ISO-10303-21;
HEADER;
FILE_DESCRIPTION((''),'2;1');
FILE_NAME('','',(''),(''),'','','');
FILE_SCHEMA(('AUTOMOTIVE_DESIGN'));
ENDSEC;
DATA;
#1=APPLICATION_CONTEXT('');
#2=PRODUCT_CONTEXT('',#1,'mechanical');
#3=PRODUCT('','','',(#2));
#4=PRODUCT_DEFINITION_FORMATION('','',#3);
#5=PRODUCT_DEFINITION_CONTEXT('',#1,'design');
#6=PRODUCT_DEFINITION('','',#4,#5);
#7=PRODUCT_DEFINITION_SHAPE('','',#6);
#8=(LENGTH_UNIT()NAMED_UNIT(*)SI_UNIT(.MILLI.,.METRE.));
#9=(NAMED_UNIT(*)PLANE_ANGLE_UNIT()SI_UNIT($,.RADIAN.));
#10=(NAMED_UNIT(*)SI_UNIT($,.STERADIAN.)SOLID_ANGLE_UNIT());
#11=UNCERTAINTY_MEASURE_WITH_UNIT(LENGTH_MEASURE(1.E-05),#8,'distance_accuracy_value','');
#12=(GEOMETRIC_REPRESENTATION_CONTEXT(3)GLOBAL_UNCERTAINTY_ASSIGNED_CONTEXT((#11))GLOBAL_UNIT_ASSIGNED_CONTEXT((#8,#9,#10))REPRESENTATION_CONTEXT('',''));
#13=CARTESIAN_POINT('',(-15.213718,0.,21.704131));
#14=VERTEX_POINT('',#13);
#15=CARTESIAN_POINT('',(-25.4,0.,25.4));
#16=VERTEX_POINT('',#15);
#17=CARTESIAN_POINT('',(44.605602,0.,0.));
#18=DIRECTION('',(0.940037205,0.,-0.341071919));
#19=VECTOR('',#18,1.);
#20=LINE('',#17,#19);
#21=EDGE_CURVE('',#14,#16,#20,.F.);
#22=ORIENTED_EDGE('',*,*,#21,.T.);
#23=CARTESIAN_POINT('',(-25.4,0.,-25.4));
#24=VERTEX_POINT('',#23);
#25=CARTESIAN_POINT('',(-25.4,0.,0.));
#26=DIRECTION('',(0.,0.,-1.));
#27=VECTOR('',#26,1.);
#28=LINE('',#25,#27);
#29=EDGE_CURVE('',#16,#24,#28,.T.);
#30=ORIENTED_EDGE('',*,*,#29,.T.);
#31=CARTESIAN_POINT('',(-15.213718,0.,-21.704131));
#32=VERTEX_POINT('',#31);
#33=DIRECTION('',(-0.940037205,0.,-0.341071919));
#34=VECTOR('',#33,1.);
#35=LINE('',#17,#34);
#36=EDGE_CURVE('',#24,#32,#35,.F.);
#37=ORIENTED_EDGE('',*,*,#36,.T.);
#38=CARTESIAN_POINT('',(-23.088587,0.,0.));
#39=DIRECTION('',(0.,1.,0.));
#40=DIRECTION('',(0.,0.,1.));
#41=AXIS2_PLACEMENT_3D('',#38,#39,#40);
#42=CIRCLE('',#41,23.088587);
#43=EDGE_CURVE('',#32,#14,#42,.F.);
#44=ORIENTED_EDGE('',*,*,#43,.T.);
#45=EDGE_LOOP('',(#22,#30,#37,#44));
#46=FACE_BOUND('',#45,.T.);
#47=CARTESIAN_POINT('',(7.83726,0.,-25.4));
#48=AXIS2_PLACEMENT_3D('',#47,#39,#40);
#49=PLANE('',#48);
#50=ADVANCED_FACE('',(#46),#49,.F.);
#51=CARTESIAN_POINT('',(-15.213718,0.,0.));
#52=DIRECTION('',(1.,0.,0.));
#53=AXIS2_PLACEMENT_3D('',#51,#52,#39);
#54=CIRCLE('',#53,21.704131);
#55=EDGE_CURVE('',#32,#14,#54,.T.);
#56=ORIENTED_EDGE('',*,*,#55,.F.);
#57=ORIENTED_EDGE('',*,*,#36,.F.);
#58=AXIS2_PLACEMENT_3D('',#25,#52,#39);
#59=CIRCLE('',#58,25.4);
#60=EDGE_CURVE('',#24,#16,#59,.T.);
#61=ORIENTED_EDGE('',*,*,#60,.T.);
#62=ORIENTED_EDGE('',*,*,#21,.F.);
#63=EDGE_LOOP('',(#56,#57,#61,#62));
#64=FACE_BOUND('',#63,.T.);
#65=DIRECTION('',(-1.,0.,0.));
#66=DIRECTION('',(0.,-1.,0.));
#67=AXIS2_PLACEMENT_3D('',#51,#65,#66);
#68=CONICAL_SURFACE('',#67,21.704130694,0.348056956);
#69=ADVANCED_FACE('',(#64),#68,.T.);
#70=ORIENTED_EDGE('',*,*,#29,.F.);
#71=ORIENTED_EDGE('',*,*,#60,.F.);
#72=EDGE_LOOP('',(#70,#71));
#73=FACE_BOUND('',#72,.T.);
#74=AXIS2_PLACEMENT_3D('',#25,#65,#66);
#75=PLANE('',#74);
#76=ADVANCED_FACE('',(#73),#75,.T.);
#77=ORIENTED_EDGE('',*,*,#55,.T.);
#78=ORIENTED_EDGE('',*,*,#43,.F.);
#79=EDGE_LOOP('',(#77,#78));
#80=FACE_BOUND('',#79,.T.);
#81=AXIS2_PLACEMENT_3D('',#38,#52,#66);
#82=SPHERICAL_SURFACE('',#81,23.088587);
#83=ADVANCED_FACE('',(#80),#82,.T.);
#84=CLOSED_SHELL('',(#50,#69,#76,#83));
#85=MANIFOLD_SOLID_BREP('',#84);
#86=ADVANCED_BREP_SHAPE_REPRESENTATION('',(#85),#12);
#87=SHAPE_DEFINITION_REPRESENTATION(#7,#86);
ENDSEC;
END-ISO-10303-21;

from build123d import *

# Parameters (mm, degrees)
CUT_EXTRUDE5_DEPTH      = 44.994090512
CUT_EXTRUDE5_DEPTH_BACK = 44.994090512
SKETCH2_W               = 90.634629722
SKETCH2_H               = 32.535973662


with BuildPart() as part:
    # Sketch1 → Revolve1 (revolve)
    with BuildSketch(Plane.XY, mode=Mode.PRIVATE) as revolve1_sk:
        with BuildLine():
            Line((-25.4, 0), (-25.4, 25.4))
            Line((-25.4, 25.4), (-15.213718271, 21.704130694))
            ThreePointArc((-15.213718271, 21.704130694), (-4.182206579, 13.252608355), (0, 0))
            Line((0, 0), (-25.4, 0))
        make_face()
    revolve(revolve1_sk.sketch.rotate(Axis((0, 0, 0), (-1, 0, 0)), 180), axis=Axis((0, 0, 0), (-1, 0, 0)))

    # Sketch2 → Cut-Extrude5 (cut, two sides: drawn at the far end of the back side and taken through both)
    with BuildSketch(Plane.XY.offset(-CUT_EXTRUDE5_DEPTH_BACK)):
        with Locations((-37.480055346, -16.267986831)):
            Rectangle(SKETCH2_W, SKETCH2_H)
    extrude(amount=CUT_EXTRUDE5_DEPTH + CUT_EXTRUDE5_DEPTH_BACK, mode=Mode.SUBTRACT)


solid = part.part
